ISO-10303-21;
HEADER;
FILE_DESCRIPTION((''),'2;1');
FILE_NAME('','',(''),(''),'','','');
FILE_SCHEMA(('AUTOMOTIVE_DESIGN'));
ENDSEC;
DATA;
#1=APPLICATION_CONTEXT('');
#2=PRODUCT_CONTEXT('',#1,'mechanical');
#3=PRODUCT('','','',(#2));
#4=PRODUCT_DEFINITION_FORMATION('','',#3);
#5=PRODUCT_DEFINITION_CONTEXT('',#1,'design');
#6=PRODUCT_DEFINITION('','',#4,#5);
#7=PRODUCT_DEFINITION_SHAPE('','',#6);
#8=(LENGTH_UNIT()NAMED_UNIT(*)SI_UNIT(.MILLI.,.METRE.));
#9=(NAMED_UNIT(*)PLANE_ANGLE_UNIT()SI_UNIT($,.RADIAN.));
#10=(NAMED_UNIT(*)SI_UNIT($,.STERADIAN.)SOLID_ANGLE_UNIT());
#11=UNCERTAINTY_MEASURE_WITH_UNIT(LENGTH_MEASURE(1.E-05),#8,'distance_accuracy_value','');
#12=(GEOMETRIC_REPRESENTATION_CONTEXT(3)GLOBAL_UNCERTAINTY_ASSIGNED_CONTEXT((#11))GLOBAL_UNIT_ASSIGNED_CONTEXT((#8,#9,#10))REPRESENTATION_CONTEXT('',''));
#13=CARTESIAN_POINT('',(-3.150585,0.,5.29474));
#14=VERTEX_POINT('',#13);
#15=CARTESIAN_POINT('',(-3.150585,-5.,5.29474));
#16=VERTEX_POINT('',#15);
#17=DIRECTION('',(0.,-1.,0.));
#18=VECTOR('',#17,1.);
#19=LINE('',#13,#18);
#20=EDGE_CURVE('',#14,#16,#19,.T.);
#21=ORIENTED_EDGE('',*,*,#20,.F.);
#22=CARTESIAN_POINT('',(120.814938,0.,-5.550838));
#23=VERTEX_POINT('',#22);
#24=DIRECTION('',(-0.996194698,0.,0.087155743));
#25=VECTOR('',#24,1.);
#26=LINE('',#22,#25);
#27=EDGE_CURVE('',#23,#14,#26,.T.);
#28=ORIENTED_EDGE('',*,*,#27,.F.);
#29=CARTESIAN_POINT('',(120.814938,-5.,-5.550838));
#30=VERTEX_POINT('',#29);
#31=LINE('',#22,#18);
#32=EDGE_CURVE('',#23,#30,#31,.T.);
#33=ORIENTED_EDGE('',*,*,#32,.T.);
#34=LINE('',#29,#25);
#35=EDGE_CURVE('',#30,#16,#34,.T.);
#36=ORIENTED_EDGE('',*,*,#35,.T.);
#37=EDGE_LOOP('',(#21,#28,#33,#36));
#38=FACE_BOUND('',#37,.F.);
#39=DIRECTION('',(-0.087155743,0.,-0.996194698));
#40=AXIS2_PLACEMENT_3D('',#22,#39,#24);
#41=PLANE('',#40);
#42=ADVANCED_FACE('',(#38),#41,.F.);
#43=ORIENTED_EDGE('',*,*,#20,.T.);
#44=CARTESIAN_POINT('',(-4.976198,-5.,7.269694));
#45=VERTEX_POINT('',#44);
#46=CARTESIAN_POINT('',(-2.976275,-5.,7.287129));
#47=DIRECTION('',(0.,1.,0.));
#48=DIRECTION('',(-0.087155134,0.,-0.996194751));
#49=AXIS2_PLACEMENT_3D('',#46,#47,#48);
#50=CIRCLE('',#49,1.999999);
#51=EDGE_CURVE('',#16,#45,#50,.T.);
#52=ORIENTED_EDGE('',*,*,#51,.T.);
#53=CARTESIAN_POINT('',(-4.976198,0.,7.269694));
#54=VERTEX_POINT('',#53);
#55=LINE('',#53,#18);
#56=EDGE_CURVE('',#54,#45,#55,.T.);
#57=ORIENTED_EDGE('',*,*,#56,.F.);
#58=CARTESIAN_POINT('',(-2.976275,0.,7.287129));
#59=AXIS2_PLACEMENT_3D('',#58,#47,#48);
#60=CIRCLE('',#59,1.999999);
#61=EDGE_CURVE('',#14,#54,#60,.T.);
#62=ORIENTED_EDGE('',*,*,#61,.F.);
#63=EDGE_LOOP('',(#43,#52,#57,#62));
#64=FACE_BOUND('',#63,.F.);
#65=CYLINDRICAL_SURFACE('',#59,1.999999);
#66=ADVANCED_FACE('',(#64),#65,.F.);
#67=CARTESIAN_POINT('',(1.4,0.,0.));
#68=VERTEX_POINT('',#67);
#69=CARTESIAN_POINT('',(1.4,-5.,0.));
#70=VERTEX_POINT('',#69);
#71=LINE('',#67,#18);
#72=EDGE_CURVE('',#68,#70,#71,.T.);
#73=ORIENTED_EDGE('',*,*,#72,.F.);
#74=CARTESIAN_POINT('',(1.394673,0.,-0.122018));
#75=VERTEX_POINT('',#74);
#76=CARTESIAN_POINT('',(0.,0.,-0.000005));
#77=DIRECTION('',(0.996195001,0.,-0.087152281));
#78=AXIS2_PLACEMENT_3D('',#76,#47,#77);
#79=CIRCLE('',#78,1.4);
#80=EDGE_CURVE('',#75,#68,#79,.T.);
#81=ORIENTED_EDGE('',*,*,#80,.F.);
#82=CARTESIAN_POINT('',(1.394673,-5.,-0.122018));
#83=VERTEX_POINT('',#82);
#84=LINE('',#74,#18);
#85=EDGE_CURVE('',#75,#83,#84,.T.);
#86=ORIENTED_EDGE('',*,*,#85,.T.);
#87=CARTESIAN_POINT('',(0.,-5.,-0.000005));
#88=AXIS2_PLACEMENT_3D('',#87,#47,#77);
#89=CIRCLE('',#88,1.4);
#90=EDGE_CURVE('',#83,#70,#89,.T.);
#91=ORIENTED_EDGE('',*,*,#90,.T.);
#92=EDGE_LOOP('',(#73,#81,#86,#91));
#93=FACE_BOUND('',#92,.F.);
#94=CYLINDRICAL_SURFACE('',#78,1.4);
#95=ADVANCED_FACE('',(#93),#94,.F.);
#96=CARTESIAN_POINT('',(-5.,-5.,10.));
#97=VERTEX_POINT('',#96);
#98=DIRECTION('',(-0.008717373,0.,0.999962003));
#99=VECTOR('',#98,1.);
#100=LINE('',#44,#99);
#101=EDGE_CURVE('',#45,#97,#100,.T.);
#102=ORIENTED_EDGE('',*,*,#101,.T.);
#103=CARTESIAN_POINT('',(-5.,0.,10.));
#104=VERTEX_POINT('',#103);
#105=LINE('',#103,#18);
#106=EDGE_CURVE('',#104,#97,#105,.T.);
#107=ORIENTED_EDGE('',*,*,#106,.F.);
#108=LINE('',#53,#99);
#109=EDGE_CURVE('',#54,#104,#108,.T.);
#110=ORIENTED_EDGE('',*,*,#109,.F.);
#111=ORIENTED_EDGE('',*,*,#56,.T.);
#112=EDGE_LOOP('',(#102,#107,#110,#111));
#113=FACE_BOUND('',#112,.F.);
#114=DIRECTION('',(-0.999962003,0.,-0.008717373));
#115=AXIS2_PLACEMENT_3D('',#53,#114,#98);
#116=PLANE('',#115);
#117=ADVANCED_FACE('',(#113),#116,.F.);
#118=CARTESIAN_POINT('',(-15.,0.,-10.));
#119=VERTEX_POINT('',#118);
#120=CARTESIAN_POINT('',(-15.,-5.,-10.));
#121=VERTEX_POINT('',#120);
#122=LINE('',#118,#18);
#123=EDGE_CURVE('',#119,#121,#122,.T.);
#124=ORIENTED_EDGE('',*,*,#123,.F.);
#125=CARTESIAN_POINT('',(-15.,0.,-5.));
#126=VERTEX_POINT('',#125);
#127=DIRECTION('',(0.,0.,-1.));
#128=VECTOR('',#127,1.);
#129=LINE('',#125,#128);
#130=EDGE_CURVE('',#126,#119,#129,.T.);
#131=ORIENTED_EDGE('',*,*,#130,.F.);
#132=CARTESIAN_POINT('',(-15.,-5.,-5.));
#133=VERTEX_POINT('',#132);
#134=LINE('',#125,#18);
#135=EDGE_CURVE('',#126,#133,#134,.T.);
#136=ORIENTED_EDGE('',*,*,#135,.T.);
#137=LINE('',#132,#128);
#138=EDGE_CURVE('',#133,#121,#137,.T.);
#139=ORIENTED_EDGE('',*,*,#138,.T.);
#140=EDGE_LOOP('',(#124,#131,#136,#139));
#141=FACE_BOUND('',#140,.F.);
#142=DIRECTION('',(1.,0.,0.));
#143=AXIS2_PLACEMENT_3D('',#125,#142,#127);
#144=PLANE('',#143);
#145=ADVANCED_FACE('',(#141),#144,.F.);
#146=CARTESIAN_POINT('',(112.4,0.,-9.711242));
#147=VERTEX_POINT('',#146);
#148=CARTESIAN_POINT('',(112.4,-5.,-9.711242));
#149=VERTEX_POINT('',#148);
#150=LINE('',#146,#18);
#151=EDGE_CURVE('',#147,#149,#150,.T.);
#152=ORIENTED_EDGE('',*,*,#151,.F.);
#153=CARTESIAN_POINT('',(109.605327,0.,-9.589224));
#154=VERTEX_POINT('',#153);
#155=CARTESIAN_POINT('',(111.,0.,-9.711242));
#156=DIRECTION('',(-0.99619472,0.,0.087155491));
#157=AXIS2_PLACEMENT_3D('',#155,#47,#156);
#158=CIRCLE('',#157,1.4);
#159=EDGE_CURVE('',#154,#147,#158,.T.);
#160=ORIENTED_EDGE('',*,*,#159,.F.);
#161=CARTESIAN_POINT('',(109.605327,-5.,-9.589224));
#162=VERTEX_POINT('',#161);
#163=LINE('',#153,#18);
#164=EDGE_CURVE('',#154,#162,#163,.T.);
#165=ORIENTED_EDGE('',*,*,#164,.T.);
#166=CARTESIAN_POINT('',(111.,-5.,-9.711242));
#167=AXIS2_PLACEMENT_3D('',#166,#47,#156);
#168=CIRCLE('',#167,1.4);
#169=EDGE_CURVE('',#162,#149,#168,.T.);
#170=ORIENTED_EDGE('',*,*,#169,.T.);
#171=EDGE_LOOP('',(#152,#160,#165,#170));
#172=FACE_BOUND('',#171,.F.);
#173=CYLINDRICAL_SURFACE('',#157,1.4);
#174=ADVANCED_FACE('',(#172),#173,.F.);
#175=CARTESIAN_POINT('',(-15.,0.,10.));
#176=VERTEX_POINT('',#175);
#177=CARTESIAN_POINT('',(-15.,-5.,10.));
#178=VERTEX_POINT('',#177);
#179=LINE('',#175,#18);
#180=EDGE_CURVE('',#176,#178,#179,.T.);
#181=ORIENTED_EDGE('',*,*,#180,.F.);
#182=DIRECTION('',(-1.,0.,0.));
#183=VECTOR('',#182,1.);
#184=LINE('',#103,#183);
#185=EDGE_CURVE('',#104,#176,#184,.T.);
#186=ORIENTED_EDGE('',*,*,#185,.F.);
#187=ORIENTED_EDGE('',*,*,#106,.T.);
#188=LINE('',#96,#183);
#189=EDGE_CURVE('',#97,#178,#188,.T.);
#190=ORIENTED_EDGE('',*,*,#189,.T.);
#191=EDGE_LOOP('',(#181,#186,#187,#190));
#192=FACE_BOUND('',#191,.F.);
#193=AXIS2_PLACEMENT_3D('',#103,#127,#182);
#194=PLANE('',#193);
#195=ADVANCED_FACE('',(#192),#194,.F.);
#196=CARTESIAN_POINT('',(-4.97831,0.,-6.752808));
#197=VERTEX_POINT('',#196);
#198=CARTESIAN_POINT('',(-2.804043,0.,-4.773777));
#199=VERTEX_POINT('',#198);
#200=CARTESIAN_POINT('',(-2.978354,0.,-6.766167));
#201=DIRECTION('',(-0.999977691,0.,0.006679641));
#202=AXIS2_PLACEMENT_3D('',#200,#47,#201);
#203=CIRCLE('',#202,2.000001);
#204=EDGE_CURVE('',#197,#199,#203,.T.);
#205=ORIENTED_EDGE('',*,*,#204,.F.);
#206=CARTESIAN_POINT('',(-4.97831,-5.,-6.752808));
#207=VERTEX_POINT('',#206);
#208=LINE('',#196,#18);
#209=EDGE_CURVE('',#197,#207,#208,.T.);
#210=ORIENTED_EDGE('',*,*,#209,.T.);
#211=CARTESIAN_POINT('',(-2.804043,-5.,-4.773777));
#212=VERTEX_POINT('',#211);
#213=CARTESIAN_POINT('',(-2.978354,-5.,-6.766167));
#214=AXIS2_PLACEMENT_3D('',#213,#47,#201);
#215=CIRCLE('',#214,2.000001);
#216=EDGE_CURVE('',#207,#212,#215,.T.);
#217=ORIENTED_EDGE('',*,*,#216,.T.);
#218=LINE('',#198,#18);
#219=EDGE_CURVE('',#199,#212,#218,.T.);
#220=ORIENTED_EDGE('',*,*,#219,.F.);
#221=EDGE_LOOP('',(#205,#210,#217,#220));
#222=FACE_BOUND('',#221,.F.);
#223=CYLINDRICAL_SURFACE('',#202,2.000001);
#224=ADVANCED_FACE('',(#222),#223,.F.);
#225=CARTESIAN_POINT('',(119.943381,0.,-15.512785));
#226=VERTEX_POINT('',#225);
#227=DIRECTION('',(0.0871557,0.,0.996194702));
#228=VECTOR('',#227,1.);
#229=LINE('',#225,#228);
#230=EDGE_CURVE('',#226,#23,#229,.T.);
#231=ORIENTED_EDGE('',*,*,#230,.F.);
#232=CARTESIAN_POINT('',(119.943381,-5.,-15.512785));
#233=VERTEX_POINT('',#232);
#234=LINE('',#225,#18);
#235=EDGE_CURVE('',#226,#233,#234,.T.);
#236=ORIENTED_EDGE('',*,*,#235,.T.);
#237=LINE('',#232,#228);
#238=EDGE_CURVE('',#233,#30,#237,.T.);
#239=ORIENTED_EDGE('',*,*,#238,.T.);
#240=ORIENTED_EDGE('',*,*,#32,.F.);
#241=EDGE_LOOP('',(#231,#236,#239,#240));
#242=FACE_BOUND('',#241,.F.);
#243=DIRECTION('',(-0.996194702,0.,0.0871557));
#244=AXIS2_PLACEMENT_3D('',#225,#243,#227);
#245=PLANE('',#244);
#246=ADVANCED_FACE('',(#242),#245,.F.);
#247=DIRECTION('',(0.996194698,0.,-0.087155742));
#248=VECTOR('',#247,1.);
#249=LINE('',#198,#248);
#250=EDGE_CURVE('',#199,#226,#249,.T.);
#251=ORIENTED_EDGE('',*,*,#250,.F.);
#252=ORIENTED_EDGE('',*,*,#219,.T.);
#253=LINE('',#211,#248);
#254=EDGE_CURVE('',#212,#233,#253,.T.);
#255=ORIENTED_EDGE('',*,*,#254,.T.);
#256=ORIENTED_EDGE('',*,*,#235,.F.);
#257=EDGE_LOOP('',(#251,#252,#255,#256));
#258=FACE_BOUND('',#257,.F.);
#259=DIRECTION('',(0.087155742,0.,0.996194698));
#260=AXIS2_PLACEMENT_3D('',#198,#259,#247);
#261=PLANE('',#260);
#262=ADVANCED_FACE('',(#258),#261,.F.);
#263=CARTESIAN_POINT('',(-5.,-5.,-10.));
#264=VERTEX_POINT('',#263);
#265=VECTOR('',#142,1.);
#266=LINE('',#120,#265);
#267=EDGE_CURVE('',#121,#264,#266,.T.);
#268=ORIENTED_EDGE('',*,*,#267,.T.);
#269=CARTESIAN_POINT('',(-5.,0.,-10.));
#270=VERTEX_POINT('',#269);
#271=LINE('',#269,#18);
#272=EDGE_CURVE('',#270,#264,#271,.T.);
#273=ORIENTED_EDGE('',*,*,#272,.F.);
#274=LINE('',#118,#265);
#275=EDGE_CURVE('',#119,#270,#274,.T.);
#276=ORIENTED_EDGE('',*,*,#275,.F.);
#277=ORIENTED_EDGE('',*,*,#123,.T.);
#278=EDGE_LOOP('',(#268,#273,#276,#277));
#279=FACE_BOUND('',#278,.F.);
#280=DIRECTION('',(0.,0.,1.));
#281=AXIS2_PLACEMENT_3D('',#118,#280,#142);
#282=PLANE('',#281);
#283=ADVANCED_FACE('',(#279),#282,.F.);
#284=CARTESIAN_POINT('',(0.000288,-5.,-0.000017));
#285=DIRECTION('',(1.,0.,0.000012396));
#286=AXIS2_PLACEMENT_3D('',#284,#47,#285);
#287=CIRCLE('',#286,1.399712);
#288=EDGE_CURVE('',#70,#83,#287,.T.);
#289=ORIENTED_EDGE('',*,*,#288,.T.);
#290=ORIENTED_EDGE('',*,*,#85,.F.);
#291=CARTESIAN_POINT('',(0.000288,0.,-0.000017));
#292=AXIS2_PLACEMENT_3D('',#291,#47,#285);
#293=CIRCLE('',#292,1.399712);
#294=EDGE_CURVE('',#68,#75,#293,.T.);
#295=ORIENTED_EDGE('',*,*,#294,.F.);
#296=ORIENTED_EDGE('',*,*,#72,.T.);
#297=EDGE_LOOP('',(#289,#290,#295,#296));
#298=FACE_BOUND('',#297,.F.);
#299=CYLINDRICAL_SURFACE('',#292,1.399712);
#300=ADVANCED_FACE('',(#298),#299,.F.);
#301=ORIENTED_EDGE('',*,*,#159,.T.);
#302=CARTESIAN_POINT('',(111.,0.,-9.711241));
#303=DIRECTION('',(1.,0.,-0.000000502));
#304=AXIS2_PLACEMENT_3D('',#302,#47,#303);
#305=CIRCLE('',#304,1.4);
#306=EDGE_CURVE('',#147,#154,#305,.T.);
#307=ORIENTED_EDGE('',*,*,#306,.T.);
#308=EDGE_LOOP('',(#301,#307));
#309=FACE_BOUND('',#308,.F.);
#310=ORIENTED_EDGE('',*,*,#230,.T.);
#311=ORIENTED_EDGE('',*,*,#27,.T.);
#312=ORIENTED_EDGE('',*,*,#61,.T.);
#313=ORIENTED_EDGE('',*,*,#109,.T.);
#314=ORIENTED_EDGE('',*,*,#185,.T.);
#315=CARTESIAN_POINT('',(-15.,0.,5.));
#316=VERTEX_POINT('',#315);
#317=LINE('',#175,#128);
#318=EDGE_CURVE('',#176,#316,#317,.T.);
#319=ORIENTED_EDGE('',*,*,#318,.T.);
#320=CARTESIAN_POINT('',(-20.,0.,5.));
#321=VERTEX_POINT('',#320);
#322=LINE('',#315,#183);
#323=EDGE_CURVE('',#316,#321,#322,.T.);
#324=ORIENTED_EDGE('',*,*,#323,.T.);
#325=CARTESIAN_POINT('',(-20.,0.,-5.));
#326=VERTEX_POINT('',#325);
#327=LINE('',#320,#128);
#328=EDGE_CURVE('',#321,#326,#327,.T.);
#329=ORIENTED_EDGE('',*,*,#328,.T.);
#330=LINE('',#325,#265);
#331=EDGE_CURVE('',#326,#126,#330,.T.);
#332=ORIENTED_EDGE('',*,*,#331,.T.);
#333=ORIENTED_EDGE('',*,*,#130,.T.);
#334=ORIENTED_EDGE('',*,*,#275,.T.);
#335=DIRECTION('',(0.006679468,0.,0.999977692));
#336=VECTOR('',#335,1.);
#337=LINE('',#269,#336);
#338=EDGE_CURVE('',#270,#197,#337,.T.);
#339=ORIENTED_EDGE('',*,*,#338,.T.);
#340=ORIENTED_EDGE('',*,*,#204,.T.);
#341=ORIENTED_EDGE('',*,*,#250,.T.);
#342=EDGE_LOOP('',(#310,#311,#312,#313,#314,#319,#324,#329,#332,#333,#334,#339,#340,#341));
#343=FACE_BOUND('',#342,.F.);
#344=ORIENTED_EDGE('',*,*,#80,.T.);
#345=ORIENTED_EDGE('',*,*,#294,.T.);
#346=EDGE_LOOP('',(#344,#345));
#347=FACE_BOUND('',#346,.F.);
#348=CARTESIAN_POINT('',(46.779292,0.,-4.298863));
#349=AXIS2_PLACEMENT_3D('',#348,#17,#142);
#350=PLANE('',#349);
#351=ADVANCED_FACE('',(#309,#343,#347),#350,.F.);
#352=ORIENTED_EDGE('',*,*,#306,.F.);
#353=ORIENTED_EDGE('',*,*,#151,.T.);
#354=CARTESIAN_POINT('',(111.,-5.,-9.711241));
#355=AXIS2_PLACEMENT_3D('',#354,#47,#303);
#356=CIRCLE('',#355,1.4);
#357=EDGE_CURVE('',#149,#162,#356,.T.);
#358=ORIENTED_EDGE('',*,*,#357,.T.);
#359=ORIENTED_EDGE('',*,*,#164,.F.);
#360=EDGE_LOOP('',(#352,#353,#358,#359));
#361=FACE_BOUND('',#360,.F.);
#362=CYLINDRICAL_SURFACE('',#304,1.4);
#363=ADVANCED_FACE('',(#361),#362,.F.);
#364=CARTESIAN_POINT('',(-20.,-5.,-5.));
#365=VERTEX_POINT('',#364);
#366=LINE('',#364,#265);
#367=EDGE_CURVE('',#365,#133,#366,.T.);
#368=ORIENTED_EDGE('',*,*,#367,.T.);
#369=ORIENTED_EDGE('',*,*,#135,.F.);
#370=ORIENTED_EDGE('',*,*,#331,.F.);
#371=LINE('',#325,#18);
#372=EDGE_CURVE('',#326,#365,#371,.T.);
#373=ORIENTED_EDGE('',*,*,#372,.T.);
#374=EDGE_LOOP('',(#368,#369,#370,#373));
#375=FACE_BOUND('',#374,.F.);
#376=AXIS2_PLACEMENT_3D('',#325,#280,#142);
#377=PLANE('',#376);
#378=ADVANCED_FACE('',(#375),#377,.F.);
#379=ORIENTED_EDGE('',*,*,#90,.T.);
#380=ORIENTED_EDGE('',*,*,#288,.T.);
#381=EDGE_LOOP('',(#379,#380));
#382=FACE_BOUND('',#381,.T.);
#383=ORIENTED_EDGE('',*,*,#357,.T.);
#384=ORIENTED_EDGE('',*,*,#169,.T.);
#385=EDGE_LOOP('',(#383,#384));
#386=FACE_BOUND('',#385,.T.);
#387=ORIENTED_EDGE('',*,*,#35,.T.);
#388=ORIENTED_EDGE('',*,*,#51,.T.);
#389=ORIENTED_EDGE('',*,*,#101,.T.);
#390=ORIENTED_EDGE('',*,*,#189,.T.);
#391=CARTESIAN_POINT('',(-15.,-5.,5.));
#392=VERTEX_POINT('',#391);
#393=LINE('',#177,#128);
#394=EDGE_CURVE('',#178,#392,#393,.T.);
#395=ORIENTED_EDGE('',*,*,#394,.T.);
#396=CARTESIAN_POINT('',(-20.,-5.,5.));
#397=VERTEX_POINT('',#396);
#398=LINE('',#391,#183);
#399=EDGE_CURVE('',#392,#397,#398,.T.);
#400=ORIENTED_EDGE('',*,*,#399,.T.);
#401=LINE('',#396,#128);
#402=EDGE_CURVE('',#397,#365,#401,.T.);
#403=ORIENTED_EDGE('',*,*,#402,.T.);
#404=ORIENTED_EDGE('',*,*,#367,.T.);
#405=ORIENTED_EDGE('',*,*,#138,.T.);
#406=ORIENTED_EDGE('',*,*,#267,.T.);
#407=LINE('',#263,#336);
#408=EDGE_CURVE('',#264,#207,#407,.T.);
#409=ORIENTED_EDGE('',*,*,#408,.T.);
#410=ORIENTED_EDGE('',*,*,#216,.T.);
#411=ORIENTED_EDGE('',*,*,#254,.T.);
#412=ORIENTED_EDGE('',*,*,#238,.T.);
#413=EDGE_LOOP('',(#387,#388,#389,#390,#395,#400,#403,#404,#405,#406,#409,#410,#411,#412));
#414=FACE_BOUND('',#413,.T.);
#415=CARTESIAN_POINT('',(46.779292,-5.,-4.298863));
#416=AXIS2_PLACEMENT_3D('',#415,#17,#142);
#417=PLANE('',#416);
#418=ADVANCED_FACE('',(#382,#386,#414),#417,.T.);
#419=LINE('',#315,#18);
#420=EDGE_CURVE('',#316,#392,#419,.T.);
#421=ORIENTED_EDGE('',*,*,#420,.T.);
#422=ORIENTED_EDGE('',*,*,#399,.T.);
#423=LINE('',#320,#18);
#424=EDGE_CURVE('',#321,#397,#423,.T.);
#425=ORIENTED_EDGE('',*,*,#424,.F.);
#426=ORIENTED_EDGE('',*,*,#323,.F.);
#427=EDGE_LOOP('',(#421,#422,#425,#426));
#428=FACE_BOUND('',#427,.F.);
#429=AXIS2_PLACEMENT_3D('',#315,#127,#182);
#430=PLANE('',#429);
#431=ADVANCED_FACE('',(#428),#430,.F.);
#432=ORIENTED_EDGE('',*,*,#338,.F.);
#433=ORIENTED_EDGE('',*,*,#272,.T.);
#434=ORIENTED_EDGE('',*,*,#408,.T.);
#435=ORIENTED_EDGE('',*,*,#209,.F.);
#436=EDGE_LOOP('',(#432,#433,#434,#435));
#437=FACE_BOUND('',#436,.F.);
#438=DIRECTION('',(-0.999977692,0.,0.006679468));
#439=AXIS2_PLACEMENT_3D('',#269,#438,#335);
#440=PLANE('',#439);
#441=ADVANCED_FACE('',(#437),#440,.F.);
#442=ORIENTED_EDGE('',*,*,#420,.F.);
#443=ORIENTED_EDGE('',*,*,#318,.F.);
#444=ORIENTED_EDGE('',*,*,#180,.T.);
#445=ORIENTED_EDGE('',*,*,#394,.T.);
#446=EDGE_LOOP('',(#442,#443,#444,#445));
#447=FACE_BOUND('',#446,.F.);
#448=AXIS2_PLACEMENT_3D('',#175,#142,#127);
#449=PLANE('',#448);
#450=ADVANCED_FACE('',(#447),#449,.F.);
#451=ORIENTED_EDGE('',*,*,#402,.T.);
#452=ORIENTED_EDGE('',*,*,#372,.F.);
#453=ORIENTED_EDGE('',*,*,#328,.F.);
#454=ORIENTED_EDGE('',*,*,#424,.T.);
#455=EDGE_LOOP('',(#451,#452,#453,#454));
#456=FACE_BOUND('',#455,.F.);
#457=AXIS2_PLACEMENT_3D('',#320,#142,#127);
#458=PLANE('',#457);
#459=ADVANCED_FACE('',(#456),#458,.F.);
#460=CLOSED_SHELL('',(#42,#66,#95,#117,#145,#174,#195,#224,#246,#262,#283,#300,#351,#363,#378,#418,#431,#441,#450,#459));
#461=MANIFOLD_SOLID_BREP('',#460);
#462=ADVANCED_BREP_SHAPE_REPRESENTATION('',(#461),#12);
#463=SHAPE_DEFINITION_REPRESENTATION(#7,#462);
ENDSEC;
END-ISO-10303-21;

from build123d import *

# Parameters (mm, degrees)
F1_DEPTH = 5


with BuildPart() as f1:
    # F0 (on Front) → F1 (new body)
    with BuildSketch(Plane.XZ):
        with BuildLine():
            Line((-15, 5), (-20, 5))
            Line((-20, 5), (-20, -5))
            Line((-20, -5), (-15, -5))
            Line((-15, -5), (-15, -10))
            Line((-15, -10), (-5, -10))
            Line((-5, -10), (-4.97831, -6.752808))
            ThreePointArc((-4.97831, -6.752808), (-4.324603, -5.287108), (-2.804043, -4.773777))
            Line((-2.804043, -4.773777), (119.943381, -15.512785))
            Line((119.943381, -15.512785), (120.814938, -5.550838))
            Line((120.814938, -5.550838), (-3.150585, 5.29474))
            ThreePointArc((-3.150585, 5.29474), (-4.444925, 5.929534), (-4.976198, 7.269694))
            Line((-4.976198, 7.269694), (-5, 10))
            Line((-5, 10), (-15, 10))
            Line((-15, 10), (-15, 5))
        make_face()
        with BuildLine():
            ThreePointArc((112.4, -9.711242), (110.938933, -11.109909), (109.605327, -9.589224))
            ThreePointArc((109.605327, -9.589224), (111.061067, -8.312574), (112.4, -9.711242))
        make_face(mode=Mode.SUBTRACT)
        with BuildLine():
            ThreePointArc((1.394673, -0.122018), (-1.398668, 0.061067), (1.4, 0))
            ThreePointArc((1.4, 0), (1.398668, -0.061067), (1.394673, -0.122018))
        make_face(mode=Mode.SUBTRACT)
    extrude(amount=F1_DEPTH)


solid = f1.part
